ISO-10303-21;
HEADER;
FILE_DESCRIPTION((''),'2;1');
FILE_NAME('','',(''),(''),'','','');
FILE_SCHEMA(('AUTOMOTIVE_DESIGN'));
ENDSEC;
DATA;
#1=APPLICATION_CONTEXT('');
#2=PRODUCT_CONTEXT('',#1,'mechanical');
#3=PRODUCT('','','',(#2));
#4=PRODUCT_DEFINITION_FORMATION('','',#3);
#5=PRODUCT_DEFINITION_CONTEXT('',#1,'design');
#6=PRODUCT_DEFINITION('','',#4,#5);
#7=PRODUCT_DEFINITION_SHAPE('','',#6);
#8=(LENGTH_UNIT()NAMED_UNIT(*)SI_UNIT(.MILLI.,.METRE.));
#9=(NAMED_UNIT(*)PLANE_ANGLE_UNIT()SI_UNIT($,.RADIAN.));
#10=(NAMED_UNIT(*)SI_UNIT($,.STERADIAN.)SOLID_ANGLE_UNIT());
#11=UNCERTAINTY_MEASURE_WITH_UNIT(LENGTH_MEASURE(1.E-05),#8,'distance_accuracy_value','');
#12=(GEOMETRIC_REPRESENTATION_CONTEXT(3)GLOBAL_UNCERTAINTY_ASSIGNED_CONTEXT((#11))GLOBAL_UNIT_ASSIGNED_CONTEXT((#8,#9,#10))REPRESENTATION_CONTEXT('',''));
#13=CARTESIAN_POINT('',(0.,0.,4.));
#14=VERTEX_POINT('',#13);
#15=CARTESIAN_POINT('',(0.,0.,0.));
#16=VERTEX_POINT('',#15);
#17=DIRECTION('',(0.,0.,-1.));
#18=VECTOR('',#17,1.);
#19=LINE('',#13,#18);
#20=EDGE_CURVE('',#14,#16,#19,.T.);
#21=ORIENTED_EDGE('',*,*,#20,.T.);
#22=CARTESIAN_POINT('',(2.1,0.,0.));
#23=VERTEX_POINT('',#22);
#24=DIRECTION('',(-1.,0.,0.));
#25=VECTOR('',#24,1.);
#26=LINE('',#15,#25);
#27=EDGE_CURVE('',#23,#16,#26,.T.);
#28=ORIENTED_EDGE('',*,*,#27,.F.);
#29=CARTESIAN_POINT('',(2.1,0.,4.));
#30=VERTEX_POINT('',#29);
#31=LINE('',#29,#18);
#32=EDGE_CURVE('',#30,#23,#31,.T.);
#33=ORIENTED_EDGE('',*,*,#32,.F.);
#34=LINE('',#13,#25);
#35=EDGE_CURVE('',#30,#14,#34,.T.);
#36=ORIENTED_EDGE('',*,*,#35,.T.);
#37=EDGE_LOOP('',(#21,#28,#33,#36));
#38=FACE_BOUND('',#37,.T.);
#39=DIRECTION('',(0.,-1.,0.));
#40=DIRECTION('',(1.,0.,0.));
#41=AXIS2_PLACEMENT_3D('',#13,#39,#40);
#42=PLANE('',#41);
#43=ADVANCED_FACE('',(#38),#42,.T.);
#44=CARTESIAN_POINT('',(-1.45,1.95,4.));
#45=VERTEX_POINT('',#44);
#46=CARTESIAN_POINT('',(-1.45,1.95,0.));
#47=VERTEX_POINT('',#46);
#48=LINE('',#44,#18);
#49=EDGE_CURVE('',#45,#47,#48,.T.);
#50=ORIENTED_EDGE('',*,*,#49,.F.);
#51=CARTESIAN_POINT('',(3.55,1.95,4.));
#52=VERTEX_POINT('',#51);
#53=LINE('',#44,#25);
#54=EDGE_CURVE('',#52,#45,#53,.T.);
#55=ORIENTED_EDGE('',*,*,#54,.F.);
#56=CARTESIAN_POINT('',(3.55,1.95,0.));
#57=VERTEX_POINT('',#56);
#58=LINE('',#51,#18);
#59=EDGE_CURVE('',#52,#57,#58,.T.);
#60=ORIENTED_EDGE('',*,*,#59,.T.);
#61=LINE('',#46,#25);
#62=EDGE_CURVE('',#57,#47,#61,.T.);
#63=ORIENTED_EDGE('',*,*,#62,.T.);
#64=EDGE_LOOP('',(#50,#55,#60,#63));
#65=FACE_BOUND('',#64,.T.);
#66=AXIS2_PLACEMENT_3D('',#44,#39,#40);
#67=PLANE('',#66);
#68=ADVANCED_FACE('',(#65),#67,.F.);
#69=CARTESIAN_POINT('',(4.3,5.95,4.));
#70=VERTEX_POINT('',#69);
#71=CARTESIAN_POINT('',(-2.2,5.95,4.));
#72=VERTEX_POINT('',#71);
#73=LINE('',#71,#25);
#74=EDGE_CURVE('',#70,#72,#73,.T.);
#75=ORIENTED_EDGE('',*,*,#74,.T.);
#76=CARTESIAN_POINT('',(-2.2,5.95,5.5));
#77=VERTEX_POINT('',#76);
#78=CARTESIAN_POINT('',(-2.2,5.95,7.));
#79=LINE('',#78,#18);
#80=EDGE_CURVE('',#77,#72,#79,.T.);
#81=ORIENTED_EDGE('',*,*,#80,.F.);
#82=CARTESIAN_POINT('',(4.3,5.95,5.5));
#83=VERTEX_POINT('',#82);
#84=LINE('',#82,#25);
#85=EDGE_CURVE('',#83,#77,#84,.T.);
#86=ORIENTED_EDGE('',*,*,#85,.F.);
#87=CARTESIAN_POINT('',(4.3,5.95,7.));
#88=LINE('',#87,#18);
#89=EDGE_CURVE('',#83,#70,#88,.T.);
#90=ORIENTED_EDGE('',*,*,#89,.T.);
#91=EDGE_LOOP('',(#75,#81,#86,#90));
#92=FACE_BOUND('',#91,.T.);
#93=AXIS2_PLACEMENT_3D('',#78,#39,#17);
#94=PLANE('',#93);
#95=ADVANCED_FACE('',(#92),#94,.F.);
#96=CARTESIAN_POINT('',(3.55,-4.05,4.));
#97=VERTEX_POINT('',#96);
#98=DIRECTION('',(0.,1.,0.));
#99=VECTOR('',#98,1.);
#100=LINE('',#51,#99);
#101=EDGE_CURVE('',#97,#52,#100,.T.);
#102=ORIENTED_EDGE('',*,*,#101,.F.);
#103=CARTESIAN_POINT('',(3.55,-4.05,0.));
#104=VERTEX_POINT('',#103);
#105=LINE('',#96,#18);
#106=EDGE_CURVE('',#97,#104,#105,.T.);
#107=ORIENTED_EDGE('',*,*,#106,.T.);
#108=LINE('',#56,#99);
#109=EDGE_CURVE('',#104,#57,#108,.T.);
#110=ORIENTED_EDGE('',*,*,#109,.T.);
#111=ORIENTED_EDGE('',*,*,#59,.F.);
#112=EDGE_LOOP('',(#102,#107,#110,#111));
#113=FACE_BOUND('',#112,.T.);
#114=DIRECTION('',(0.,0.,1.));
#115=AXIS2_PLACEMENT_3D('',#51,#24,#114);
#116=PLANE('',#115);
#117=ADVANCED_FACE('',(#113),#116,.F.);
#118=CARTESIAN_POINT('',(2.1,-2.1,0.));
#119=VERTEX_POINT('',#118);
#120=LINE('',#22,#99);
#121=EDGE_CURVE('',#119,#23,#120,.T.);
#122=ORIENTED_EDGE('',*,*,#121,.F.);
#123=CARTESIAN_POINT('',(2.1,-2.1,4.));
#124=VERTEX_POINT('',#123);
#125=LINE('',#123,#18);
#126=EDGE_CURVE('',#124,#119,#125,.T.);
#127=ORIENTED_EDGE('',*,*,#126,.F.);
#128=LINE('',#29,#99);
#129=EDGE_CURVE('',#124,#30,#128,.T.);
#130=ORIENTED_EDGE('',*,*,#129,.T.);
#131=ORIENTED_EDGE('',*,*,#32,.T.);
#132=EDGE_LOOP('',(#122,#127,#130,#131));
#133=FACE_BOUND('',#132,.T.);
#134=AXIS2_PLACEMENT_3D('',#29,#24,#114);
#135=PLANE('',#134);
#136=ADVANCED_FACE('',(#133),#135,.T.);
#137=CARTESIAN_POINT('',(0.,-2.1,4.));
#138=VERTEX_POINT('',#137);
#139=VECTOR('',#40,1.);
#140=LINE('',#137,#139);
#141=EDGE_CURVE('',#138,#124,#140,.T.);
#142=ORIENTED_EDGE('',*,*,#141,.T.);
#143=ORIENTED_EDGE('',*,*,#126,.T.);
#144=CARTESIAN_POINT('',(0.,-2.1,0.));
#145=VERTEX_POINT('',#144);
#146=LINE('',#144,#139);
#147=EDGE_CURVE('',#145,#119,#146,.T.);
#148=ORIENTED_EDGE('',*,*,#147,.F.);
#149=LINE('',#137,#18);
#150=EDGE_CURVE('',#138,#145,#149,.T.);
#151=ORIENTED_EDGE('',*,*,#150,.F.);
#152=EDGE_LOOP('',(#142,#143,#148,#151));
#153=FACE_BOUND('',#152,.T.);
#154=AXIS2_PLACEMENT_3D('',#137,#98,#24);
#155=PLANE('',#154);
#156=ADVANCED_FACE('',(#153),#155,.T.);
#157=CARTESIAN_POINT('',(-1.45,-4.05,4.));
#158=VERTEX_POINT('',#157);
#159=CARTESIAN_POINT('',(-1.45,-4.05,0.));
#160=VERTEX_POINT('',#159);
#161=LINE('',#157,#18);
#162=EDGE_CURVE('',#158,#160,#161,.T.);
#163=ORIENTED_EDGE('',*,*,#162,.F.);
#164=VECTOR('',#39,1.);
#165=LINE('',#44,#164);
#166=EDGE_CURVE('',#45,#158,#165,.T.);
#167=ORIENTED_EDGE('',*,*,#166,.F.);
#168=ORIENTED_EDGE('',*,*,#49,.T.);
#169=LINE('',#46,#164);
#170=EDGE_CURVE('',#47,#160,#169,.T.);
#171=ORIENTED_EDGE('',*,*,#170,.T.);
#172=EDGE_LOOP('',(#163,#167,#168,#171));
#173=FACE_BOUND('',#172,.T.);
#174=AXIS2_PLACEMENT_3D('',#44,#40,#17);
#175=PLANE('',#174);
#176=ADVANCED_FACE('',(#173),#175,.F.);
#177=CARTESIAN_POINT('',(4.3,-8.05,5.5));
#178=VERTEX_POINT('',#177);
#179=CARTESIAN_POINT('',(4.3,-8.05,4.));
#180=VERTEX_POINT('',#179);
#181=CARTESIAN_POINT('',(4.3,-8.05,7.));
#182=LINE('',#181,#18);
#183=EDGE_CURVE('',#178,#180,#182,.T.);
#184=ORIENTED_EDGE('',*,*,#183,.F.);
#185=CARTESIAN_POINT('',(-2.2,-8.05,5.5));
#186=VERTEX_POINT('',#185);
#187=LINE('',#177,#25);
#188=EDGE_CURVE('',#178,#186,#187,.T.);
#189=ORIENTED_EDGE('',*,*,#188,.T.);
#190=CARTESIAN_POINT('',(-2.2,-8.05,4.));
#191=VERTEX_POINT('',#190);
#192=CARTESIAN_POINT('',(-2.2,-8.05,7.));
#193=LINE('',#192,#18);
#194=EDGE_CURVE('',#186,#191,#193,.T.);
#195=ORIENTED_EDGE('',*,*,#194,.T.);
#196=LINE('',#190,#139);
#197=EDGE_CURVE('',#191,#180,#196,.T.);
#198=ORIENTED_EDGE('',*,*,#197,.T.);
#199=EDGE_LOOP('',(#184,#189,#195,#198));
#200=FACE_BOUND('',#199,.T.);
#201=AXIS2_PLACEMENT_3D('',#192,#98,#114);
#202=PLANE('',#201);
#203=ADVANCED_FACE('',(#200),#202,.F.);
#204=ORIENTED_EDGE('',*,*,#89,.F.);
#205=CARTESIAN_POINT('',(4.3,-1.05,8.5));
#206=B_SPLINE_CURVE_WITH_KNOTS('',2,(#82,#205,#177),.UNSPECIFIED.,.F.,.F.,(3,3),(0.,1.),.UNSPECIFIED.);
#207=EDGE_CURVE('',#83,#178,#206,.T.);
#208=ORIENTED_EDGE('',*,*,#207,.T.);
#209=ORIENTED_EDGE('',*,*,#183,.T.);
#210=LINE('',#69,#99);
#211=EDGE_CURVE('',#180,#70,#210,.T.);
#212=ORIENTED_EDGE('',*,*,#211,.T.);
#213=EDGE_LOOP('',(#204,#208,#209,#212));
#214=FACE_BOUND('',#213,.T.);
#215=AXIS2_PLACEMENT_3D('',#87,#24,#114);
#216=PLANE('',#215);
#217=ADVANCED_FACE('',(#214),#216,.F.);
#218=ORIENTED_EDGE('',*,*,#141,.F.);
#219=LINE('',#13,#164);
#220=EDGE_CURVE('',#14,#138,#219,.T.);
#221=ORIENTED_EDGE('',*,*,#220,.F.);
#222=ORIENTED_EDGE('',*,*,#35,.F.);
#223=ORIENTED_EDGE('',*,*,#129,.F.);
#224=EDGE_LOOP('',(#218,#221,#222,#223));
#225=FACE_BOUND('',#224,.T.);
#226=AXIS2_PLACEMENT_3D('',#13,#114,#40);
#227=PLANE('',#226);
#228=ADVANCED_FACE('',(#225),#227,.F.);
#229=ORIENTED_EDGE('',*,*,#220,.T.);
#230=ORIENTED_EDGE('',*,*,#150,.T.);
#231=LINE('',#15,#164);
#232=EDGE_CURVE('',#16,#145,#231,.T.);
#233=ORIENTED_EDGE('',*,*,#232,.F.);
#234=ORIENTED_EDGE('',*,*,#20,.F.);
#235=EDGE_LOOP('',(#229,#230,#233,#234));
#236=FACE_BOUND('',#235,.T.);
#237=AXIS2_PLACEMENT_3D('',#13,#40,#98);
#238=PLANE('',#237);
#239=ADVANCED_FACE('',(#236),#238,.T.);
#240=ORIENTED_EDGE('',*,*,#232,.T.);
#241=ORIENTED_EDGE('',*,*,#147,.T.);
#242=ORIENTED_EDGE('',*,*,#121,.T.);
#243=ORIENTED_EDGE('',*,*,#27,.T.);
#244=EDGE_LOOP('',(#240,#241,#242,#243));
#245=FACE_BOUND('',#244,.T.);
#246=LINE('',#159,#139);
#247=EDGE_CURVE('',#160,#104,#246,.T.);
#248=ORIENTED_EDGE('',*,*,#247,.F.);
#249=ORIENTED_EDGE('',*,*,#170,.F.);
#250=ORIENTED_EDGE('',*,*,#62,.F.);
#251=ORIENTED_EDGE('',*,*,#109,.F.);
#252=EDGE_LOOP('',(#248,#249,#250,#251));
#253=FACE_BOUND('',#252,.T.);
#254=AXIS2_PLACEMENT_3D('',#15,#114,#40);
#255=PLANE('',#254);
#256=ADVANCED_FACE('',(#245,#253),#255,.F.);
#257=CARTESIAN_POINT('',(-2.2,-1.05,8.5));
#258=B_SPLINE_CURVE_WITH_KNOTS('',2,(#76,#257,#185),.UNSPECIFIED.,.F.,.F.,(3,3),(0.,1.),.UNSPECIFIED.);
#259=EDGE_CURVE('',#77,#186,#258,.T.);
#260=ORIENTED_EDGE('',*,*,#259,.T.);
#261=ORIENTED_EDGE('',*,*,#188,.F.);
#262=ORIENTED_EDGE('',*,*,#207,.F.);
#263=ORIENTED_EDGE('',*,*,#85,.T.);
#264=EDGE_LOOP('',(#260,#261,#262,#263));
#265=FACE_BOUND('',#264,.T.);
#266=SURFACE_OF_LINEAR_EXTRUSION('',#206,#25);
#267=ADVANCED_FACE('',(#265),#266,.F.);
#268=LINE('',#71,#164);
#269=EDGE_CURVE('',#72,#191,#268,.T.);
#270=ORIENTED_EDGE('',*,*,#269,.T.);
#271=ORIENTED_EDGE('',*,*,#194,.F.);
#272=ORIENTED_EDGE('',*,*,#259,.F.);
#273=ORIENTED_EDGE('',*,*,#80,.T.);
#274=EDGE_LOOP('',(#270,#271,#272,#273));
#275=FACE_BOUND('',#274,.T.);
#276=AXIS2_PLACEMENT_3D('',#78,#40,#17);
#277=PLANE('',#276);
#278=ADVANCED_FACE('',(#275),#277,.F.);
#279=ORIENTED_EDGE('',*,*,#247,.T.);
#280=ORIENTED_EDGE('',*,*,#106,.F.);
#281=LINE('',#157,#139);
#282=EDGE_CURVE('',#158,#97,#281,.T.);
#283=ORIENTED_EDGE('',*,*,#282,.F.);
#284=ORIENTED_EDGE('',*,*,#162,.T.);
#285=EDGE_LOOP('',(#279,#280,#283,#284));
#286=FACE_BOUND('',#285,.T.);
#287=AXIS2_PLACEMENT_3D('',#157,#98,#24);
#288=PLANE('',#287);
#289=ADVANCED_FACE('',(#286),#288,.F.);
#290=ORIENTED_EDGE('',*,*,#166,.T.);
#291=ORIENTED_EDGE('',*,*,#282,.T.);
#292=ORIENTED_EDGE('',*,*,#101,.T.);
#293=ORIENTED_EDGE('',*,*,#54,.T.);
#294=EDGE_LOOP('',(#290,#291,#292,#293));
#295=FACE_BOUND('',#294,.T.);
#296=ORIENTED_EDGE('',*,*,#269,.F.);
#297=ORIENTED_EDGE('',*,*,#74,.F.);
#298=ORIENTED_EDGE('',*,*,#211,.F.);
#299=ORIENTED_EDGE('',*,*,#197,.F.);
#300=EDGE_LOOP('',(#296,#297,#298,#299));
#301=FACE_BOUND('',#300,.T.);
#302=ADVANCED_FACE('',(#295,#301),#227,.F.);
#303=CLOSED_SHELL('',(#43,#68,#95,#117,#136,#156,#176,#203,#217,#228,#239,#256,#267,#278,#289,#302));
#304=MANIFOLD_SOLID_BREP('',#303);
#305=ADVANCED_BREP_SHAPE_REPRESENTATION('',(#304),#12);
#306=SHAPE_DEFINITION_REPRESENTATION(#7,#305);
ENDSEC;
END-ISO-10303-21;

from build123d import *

# Parameters (mm, degrees)
SZKIC1_W                    = 5
SZKIC1_H                    = 6
SZKIC1_W_2                  = 2.1
SZKIC1_H_2                  = 2.1
DODANIE_WYCI_GNI_CIE1_DEPTH = 4
SZKIC3_W                    = 6.5
SZKIC3_H                    = 14
DODANIE_WYCI_GNI_CIE2_DEPTH = 3
WYTNIJ_WYCI_GNI_CIE1_DEPTH  = 13.492097502


with BuildPart() as part:
    # Szkic1 → Dodanie-wyciągnięcie1 (new body)
    with BuildSketch(Plane.XY):
        with Locations((1.05, -1.05)):
            Rectangle(SZKIC1_W, SZKIC1_H)
        with Locations((1.05, -1.05)):
            Rectangle(SZKIC1_W_2, SZKIC1_H_2, mode=Mode.SUBTRACT)
    extrude(amount=DODANIE_WYCI_GNI_CIE1_DEPTH)

    # Szkic3 → Dodanie-wyciągnięcie2 (add)
    with BuildSketch(Plane.XY.offset(4)):
        with Locations((1.05, -1.05)):
            Rectangle(SZKIC3_W, SZKIC3_H)
    extrude(amount=DODANIE_WYCI_GNI_CIE2_DEPTH)

    # Szkic4 → Wytnij-wyciągnięcie1 (cut, through all)
    with BuildSketch(Plane.ZY.offset(2.2)):
        with BuildLine():
            Line((7, -8.05), (7, -1.05))
            add(Edge.make_bspline(
                [(7, -1.05), (7, -4.55), (5.5, -8.05)],
                knots=[0.5, 0.5, 0.5, 1, 1, 1], degree=2))
            Line((5.5, -8.05), (7, -8.05))
        make_face()
        with BuildLine():
            Line((7, 5.95), (5.5, 5.95))
            add(Edge.make_bspline(
                [(5.5, 5.95), (7, 2.45), (7, -1.05)],
                knots=[0, 0, 0, 0.5, 0.5, 0.5], degree=2))
            Line((7, -1.05), (7, 5.95))
        make_face()
    extrude(amount=-WYTNIJ_WYCI_GNI_CIE1_DEPTH, mode=Mode.SUBTRACT)


solid = part.part
